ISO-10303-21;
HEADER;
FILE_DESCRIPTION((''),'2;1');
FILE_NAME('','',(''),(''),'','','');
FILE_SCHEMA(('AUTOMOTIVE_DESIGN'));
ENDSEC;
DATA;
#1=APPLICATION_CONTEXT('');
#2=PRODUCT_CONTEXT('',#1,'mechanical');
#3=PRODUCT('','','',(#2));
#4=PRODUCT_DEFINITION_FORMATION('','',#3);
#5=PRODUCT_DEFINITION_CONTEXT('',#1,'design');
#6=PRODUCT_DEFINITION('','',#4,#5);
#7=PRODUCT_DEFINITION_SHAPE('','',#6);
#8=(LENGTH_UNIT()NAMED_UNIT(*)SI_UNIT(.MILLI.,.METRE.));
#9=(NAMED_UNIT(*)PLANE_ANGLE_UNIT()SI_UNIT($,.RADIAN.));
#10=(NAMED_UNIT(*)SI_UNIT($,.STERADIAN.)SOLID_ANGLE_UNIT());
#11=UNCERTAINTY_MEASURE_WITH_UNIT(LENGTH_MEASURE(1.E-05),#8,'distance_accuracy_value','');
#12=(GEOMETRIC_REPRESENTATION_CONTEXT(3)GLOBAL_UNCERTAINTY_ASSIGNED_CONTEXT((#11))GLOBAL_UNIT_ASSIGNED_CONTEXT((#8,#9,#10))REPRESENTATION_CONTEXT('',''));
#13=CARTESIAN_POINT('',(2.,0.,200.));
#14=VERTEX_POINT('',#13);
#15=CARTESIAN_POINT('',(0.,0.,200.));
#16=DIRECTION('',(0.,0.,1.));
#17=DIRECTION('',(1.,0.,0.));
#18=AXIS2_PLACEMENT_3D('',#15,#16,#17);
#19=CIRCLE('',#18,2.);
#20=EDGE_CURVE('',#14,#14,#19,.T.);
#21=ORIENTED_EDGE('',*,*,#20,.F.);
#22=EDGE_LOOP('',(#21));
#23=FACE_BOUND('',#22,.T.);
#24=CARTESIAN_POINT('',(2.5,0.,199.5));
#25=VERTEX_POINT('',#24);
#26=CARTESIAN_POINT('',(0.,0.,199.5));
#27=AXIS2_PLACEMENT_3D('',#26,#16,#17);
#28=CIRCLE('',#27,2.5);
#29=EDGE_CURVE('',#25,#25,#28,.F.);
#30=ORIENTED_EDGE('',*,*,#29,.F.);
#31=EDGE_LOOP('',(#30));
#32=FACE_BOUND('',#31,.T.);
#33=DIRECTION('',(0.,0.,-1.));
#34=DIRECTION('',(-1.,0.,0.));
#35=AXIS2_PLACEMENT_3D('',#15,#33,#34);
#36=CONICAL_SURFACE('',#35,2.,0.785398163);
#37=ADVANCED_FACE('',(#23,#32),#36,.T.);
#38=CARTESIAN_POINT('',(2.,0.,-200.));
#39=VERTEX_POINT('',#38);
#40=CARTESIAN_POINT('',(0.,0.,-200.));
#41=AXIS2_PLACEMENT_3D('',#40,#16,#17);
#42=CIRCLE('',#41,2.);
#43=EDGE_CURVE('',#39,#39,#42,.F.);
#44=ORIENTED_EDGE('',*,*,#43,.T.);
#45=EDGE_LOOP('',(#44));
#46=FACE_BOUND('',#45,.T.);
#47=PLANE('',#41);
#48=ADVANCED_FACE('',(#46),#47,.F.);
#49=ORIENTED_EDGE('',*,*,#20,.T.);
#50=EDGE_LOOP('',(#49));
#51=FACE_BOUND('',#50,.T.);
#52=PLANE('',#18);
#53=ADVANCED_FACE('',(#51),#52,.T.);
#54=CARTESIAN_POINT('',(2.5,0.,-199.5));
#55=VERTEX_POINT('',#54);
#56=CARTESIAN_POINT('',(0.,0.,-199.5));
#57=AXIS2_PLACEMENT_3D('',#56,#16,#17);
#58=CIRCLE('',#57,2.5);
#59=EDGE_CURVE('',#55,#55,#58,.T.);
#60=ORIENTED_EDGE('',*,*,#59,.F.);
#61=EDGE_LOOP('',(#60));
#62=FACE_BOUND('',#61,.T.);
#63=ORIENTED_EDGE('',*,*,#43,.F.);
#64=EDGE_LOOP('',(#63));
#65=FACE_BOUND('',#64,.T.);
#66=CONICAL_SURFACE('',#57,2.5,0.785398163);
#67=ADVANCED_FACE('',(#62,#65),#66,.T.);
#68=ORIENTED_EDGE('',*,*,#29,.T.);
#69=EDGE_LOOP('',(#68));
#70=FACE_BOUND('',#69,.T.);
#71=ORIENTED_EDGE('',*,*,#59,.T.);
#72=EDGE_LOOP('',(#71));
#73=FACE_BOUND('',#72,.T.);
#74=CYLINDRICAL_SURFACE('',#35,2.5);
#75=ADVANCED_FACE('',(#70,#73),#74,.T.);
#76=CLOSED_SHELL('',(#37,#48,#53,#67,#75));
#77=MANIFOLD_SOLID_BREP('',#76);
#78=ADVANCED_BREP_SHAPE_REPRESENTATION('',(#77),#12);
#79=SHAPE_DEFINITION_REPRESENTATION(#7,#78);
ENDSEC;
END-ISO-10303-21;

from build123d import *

# Parameters (mm, degrees)
SKETCH1_R      = 2.5
EXTRUDE1_DEPTH = 200
CHAMFER1_SIZE  = 0.5


with BuildPart() as part:
    # Sketch1 → Extrude1 (new body, symmetric)
    with BuildSketch(Plane.XY):
        Circle(SKETCH1_R)
    extrude(amount=EXTRUDE1_DEPTH, both=True)

    # Chamfer1
    chamfer1_edges = [part.edges().sort_by_distance(p)[0] for p in [
        (-2.5, 0, -200),
        (-2.5, 0, 200),
    ]]
    chamfer(chamfer1_edges, length=CHAMFER1_SIZE)


solid = part.part
